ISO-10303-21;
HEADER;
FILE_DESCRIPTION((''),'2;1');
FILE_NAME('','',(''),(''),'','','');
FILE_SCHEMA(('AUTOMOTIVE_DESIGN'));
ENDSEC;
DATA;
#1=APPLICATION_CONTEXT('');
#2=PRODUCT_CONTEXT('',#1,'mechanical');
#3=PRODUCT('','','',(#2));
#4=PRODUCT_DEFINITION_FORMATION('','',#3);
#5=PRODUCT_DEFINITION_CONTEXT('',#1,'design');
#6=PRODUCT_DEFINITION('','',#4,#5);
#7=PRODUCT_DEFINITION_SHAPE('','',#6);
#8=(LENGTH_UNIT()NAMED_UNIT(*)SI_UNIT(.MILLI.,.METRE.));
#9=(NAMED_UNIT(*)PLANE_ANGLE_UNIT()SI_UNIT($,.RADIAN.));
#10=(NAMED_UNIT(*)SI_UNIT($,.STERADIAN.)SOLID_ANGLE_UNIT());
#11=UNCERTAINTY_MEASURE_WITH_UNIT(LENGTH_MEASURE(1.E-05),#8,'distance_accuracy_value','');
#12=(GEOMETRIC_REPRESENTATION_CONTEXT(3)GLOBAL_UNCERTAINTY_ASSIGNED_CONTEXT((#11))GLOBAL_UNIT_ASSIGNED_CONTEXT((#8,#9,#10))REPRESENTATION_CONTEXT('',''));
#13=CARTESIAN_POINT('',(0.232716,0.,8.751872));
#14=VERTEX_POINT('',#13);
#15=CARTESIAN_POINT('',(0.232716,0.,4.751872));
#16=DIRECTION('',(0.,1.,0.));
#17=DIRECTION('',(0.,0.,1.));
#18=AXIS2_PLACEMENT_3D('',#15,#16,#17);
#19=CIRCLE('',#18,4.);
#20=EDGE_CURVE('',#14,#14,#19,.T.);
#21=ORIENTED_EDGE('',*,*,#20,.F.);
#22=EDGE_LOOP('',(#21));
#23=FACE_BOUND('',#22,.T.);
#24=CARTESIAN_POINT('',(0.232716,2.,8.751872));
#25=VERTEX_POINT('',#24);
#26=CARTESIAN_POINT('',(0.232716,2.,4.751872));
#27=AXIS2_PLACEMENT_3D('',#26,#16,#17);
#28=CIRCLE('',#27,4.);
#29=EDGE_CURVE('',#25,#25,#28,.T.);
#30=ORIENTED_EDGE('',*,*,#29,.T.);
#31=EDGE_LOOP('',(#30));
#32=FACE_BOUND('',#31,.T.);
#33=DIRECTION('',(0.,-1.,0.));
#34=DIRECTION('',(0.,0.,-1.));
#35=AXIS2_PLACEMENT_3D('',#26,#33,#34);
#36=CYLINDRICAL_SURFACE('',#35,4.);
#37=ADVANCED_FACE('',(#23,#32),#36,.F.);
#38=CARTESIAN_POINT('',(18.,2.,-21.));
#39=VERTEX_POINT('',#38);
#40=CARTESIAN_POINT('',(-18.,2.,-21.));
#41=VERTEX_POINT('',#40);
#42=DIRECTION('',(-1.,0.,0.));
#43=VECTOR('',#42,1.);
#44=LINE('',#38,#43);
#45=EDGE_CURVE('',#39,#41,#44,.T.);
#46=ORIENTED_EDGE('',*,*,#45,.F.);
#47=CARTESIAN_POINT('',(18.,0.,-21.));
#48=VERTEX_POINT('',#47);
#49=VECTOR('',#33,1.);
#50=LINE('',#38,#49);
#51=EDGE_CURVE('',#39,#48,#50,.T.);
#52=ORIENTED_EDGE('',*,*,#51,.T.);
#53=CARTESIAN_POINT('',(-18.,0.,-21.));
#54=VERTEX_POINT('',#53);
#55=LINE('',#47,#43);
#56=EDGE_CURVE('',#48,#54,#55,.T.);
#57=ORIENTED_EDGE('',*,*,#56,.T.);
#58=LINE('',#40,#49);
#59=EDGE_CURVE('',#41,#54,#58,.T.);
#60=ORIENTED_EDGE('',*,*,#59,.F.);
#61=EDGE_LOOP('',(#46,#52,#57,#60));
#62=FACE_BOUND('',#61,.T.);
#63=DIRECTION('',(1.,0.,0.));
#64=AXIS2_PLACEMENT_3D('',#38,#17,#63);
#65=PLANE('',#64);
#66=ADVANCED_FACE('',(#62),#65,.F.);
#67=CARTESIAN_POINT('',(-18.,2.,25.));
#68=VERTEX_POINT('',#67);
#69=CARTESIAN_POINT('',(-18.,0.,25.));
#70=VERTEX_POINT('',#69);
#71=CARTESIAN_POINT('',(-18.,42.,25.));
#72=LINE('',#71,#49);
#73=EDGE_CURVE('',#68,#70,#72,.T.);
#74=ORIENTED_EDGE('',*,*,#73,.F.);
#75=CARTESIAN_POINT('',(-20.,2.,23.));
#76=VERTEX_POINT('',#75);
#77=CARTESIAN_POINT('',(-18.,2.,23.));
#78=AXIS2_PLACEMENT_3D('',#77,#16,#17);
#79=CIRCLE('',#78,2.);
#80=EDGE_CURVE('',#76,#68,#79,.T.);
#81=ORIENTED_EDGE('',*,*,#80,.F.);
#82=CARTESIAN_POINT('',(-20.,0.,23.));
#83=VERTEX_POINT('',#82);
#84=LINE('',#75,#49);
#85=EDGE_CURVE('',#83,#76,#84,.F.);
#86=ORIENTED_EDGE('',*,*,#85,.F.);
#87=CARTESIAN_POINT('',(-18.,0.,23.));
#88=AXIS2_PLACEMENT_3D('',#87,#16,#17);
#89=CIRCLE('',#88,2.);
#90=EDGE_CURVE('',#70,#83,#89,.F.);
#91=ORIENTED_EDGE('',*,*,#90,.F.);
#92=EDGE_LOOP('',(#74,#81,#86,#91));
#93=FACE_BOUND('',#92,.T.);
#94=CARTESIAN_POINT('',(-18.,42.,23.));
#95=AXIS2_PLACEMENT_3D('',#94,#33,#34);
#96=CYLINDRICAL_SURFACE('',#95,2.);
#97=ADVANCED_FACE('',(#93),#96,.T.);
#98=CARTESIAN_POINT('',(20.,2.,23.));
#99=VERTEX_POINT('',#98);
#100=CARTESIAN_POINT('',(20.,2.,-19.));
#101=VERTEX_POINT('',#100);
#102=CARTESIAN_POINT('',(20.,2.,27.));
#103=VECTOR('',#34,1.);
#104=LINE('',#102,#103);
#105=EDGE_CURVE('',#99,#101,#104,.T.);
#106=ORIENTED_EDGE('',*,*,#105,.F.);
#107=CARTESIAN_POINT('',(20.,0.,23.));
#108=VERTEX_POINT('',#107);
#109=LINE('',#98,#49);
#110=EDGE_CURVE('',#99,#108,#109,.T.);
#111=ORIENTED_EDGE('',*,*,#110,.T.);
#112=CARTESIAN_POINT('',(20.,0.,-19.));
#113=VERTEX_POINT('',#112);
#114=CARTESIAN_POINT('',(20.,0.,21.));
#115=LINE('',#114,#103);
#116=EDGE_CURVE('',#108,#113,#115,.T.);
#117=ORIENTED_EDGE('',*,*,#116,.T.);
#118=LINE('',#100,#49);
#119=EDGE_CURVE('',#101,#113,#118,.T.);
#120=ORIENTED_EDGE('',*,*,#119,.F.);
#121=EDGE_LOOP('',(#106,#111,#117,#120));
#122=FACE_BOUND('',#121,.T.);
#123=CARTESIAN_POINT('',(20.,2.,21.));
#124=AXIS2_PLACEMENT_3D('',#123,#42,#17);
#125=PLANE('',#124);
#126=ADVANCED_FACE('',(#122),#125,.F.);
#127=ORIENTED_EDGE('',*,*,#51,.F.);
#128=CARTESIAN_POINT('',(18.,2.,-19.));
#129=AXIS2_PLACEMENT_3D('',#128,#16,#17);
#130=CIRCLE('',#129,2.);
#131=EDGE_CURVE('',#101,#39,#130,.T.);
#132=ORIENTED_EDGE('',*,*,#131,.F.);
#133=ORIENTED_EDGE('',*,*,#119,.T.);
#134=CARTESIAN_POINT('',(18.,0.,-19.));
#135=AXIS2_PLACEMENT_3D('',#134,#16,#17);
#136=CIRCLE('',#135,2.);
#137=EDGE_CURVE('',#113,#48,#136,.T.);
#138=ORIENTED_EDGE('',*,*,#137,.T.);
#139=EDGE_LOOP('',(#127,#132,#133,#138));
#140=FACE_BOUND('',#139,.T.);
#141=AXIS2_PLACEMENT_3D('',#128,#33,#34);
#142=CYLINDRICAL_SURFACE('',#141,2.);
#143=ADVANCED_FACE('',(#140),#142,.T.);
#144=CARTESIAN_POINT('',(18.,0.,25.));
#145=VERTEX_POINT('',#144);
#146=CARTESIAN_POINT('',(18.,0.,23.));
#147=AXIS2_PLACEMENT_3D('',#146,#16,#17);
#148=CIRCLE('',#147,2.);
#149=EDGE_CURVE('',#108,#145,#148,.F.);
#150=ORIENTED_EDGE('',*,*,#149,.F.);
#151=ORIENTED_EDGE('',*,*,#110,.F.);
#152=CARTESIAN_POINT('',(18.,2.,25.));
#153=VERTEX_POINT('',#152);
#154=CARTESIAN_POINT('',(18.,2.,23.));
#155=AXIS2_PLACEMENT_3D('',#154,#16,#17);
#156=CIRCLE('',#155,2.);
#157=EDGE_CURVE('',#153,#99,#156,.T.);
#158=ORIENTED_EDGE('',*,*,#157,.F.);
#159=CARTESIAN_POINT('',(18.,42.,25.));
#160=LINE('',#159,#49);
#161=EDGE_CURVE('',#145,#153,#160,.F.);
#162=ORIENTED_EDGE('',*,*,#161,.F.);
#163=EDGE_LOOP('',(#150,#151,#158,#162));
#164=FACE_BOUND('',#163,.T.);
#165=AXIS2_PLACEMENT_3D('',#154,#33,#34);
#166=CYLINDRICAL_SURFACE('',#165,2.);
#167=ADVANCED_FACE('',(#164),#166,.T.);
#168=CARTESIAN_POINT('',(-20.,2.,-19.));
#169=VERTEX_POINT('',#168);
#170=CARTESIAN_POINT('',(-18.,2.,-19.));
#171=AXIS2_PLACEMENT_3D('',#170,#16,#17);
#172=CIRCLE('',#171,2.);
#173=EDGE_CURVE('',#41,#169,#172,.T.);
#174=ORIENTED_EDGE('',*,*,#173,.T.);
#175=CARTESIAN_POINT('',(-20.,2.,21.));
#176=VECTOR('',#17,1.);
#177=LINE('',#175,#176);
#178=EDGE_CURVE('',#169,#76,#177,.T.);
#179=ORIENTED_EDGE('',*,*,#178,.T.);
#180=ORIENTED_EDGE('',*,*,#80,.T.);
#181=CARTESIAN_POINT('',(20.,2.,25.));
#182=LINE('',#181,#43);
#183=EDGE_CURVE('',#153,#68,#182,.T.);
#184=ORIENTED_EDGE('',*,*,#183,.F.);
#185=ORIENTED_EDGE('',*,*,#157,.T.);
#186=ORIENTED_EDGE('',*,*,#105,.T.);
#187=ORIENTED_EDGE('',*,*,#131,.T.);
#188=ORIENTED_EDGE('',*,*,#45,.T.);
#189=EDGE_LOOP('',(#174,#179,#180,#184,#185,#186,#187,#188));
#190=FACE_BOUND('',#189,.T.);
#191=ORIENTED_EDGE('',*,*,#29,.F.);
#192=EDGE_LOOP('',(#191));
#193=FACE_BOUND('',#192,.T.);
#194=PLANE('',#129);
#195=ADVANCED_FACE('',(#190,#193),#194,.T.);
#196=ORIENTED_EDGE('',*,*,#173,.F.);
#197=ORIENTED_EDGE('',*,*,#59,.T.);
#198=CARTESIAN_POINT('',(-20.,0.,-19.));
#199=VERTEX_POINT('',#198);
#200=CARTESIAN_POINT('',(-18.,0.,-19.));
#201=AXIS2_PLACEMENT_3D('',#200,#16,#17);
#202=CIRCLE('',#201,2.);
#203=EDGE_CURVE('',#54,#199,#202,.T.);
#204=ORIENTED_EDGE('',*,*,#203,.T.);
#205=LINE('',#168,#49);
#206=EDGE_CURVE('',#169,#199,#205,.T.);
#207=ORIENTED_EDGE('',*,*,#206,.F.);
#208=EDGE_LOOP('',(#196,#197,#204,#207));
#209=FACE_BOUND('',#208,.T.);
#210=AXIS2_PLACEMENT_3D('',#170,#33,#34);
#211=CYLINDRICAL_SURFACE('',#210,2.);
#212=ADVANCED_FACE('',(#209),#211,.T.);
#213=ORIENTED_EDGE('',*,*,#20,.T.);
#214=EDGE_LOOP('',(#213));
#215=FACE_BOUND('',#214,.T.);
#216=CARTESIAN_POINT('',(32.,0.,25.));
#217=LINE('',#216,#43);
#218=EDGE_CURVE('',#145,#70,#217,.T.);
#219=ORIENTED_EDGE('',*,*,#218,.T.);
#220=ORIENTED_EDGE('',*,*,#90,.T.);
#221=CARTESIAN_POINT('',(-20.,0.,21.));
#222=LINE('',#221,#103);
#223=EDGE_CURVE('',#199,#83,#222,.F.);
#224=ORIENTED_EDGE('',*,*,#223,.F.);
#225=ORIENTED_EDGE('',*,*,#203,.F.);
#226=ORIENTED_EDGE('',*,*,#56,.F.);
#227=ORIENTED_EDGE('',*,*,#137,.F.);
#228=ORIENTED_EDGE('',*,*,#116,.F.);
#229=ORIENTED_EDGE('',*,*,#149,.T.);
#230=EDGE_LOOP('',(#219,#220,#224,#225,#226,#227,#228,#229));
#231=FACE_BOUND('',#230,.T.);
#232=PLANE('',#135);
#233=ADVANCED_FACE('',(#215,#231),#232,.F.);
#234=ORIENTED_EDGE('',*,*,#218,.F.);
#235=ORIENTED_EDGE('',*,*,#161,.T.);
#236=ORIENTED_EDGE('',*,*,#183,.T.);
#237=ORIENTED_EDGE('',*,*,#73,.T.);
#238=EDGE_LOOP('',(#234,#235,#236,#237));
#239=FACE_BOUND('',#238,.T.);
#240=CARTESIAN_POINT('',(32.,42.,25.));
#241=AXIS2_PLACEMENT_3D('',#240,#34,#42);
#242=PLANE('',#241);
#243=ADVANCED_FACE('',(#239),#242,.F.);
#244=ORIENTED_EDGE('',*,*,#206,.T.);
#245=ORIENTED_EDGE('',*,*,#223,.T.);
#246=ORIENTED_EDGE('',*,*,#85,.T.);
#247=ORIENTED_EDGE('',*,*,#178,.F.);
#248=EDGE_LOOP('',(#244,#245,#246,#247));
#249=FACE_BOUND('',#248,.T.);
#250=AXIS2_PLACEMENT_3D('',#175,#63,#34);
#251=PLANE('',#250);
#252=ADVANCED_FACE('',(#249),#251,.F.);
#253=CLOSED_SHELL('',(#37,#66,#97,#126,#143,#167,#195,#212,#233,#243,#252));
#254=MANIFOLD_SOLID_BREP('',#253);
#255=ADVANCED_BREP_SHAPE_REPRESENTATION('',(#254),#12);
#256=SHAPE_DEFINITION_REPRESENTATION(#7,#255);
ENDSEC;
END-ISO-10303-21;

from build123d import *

# Parameters (mm, degrees)
SKETCH1_R               = 4
BOSS_EXTRUDE1_DEPTH     = 2
SKETCH5_W               = 40
SKETCH5_H               = 2
BOSS_EXTRUDE5_DEPTH     = 40
CUT_EXTRUDE4_DEPTH      = 64.976558207
CUT_EXTRUDE4_DEPTH_BACK = 52
SKETCH8_W               = 2
SKETCH8_H               = 42
FILLET1_R               = 2
FILLET2_R               = 2


with BuildPart() as part:
    # Sketch1 → Boss-Extrude1 (new body)
    with BuildSketch(Plane(origin=(0, 0, 0), x_dir=(1, 0, 0), z_dir=(0, 1, 0))):
        with BuildLine():
            Line((-20, -21), (-20, -27))
            Line((-20, -27), (20, -27))
            Line((20, -27), (20, -21))
            Line((20, -21), (20, 19))
            ThreePointArc((20, 19), (19.414213562, 20.414213562), (18, 21))
            Line((18, 21), (-18, 21))
            ThreePointArc((-18, 21), (-19.414213562, 20.414213562), (-20, 19))
            Line((-20, 19), (-20, -21))
        make_face()
        with Locations(Location((0.232716016, -4.751871967, 0), (0, 0, 270))):
            Circle(SKETCH1_R, mode=Mode.SUBTRACT)
    extrude(amount=BOSS_EXTRUDE1_DEPTH)

    # Sketch5 → Boss-Extrude5 (add)
    with BuildSketch(Plane(origin=(0, 2, 0), x_dir=(1, 0, 0), z_dir=(0, 1, 0))):
        with Locations((0, -26)):
            Rectangle(SKETCH5_W, SKETCH5_H)
    extrude(amount=BOSS_EXTRUDE5_DEPTH)

    # Sketch8 → Cut-Extrude4 (cut, two sides: drawn at the far end of the back side and taken through both)
    with BuildSketch(Plane.ZY.offset(20).offset(-CUT_EXTRUDE4_DEPTH_BACK)):
        with Locations((26, 21)):
            Rectangle(SKETCH8_W, SKETCH8_H)
    extrude(amount=CUT_EXTRUDE4_DEPTH + CUT_EXTRUDE4_DEPTH_BACK, mode=Mode.SUBTRACT)

    # Fillet1
    fillet1_edges = [part.edges().sort_by_distance(p)[0] for p in [
        (-20, 1, 25),
    ]]
    fillet(fillet1_edges, radius=FILLET1_R)

    # Fillet2
    fillet2_edges = [part.edges().sort_by_distance(p)[0] for p in [
        (20, 1, 25),
    ]]
    fillet(fillet2_edges, radius=FILLET2_R)


solid = part.part
